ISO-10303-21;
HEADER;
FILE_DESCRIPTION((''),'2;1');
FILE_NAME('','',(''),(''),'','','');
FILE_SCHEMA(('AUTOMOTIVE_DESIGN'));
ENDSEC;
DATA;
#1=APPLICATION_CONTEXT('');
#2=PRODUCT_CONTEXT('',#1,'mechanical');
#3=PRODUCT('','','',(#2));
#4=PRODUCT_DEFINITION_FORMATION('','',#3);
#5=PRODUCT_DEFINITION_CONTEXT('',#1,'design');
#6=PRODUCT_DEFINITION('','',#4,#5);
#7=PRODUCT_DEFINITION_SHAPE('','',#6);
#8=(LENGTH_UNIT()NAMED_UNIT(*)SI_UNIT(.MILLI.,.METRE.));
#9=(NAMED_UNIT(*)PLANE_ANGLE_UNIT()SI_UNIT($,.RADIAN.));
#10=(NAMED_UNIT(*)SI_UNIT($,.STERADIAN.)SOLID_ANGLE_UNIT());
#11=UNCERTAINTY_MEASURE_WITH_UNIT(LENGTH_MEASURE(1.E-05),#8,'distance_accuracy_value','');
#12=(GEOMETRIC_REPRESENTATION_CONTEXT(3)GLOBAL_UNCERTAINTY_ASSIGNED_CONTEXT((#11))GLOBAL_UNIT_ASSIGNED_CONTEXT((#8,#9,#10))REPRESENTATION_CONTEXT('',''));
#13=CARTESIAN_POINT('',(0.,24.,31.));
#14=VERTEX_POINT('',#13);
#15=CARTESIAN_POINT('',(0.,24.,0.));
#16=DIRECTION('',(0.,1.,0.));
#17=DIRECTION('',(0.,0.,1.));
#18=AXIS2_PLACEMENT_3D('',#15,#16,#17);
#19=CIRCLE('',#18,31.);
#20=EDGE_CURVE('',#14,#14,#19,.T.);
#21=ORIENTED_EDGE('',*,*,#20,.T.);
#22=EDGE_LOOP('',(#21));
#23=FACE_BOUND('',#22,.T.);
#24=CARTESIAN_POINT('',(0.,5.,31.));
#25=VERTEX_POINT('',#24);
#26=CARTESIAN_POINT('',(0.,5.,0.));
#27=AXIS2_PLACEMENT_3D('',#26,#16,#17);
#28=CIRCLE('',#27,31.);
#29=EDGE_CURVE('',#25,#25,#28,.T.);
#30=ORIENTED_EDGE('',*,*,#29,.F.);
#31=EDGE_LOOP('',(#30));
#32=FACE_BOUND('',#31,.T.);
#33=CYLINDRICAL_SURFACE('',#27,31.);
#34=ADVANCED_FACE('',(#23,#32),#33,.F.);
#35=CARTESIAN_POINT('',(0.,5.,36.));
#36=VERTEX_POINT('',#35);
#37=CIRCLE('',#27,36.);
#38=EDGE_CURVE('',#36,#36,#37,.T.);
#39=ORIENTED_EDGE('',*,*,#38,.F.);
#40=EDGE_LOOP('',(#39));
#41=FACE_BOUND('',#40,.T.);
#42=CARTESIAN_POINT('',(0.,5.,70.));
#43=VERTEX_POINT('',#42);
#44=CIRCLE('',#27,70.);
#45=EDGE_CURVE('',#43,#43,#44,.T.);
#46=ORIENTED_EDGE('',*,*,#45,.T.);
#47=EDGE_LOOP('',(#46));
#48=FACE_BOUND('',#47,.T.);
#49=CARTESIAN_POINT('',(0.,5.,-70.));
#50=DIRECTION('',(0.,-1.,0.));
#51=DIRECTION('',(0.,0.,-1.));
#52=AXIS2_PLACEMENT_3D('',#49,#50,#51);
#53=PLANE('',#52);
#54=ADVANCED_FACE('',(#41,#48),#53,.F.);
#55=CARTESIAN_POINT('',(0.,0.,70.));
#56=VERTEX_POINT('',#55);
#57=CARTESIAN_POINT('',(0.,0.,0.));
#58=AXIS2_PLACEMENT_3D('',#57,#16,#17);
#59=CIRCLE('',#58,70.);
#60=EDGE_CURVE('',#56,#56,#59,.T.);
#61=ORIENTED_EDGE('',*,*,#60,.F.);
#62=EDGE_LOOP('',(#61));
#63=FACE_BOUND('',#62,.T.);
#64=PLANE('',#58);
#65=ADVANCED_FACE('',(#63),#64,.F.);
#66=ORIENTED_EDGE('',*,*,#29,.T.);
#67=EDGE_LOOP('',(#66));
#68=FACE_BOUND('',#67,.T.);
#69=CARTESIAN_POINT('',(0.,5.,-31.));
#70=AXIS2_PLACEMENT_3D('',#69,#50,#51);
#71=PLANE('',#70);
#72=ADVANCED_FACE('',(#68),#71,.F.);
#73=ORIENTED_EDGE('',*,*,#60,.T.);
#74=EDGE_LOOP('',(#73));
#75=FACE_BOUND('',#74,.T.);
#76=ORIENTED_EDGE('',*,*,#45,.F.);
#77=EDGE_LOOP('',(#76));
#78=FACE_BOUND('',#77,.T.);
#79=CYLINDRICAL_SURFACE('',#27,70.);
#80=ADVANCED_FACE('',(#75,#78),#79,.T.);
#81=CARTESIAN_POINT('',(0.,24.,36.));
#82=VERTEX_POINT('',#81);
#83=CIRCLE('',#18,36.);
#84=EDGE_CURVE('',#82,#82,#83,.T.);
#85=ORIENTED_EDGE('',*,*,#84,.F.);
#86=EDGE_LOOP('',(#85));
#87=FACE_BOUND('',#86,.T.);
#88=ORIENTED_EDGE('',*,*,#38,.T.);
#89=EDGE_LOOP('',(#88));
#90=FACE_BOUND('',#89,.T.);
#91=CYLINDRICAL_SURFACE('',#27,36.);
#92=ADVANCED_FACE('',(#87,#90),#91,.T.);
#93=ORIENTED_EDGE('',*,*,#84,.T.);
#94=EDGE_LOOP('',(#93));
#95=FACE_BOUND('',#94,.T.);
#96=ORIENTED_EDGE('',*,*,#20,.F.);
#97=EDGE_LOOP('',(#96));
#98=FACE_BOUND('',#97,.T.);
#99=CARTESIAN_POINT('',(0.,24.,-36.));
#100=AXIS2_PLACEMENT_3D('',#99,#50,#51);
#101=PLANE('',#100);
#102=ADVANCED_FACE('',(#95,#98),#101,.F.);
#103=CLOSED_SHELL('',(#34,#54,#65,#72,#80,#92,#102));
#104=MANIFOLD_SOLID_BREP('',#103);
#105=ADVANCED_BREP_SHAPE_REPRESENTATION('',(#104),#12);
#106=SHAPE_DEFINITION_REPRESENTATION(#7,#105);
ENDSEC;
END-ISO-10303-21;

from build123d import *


with BuildPart() as part:
    # Sketch1 → Revolve1 (revolve)
    with BuildSketch(Plane(origin=(0, 0, 0), x_dir=(0, 0, -1), z_dir=(1, 0, 0)), mode=Mode.PRIVATE) as revolve1_sk:
        Polygon((0, 0), (70, 0), (70, 5), (36, 5), (36, 24), (31, 24), (31, 5), (0, 5), align=None)
    revolve(revolve1_sk.sketch.rotate(Axis((0, 5, 0), (0, -1, 0)), 180), axis=Axis((0, 5, 0), (0, -1, 0)))


solid = part.part
